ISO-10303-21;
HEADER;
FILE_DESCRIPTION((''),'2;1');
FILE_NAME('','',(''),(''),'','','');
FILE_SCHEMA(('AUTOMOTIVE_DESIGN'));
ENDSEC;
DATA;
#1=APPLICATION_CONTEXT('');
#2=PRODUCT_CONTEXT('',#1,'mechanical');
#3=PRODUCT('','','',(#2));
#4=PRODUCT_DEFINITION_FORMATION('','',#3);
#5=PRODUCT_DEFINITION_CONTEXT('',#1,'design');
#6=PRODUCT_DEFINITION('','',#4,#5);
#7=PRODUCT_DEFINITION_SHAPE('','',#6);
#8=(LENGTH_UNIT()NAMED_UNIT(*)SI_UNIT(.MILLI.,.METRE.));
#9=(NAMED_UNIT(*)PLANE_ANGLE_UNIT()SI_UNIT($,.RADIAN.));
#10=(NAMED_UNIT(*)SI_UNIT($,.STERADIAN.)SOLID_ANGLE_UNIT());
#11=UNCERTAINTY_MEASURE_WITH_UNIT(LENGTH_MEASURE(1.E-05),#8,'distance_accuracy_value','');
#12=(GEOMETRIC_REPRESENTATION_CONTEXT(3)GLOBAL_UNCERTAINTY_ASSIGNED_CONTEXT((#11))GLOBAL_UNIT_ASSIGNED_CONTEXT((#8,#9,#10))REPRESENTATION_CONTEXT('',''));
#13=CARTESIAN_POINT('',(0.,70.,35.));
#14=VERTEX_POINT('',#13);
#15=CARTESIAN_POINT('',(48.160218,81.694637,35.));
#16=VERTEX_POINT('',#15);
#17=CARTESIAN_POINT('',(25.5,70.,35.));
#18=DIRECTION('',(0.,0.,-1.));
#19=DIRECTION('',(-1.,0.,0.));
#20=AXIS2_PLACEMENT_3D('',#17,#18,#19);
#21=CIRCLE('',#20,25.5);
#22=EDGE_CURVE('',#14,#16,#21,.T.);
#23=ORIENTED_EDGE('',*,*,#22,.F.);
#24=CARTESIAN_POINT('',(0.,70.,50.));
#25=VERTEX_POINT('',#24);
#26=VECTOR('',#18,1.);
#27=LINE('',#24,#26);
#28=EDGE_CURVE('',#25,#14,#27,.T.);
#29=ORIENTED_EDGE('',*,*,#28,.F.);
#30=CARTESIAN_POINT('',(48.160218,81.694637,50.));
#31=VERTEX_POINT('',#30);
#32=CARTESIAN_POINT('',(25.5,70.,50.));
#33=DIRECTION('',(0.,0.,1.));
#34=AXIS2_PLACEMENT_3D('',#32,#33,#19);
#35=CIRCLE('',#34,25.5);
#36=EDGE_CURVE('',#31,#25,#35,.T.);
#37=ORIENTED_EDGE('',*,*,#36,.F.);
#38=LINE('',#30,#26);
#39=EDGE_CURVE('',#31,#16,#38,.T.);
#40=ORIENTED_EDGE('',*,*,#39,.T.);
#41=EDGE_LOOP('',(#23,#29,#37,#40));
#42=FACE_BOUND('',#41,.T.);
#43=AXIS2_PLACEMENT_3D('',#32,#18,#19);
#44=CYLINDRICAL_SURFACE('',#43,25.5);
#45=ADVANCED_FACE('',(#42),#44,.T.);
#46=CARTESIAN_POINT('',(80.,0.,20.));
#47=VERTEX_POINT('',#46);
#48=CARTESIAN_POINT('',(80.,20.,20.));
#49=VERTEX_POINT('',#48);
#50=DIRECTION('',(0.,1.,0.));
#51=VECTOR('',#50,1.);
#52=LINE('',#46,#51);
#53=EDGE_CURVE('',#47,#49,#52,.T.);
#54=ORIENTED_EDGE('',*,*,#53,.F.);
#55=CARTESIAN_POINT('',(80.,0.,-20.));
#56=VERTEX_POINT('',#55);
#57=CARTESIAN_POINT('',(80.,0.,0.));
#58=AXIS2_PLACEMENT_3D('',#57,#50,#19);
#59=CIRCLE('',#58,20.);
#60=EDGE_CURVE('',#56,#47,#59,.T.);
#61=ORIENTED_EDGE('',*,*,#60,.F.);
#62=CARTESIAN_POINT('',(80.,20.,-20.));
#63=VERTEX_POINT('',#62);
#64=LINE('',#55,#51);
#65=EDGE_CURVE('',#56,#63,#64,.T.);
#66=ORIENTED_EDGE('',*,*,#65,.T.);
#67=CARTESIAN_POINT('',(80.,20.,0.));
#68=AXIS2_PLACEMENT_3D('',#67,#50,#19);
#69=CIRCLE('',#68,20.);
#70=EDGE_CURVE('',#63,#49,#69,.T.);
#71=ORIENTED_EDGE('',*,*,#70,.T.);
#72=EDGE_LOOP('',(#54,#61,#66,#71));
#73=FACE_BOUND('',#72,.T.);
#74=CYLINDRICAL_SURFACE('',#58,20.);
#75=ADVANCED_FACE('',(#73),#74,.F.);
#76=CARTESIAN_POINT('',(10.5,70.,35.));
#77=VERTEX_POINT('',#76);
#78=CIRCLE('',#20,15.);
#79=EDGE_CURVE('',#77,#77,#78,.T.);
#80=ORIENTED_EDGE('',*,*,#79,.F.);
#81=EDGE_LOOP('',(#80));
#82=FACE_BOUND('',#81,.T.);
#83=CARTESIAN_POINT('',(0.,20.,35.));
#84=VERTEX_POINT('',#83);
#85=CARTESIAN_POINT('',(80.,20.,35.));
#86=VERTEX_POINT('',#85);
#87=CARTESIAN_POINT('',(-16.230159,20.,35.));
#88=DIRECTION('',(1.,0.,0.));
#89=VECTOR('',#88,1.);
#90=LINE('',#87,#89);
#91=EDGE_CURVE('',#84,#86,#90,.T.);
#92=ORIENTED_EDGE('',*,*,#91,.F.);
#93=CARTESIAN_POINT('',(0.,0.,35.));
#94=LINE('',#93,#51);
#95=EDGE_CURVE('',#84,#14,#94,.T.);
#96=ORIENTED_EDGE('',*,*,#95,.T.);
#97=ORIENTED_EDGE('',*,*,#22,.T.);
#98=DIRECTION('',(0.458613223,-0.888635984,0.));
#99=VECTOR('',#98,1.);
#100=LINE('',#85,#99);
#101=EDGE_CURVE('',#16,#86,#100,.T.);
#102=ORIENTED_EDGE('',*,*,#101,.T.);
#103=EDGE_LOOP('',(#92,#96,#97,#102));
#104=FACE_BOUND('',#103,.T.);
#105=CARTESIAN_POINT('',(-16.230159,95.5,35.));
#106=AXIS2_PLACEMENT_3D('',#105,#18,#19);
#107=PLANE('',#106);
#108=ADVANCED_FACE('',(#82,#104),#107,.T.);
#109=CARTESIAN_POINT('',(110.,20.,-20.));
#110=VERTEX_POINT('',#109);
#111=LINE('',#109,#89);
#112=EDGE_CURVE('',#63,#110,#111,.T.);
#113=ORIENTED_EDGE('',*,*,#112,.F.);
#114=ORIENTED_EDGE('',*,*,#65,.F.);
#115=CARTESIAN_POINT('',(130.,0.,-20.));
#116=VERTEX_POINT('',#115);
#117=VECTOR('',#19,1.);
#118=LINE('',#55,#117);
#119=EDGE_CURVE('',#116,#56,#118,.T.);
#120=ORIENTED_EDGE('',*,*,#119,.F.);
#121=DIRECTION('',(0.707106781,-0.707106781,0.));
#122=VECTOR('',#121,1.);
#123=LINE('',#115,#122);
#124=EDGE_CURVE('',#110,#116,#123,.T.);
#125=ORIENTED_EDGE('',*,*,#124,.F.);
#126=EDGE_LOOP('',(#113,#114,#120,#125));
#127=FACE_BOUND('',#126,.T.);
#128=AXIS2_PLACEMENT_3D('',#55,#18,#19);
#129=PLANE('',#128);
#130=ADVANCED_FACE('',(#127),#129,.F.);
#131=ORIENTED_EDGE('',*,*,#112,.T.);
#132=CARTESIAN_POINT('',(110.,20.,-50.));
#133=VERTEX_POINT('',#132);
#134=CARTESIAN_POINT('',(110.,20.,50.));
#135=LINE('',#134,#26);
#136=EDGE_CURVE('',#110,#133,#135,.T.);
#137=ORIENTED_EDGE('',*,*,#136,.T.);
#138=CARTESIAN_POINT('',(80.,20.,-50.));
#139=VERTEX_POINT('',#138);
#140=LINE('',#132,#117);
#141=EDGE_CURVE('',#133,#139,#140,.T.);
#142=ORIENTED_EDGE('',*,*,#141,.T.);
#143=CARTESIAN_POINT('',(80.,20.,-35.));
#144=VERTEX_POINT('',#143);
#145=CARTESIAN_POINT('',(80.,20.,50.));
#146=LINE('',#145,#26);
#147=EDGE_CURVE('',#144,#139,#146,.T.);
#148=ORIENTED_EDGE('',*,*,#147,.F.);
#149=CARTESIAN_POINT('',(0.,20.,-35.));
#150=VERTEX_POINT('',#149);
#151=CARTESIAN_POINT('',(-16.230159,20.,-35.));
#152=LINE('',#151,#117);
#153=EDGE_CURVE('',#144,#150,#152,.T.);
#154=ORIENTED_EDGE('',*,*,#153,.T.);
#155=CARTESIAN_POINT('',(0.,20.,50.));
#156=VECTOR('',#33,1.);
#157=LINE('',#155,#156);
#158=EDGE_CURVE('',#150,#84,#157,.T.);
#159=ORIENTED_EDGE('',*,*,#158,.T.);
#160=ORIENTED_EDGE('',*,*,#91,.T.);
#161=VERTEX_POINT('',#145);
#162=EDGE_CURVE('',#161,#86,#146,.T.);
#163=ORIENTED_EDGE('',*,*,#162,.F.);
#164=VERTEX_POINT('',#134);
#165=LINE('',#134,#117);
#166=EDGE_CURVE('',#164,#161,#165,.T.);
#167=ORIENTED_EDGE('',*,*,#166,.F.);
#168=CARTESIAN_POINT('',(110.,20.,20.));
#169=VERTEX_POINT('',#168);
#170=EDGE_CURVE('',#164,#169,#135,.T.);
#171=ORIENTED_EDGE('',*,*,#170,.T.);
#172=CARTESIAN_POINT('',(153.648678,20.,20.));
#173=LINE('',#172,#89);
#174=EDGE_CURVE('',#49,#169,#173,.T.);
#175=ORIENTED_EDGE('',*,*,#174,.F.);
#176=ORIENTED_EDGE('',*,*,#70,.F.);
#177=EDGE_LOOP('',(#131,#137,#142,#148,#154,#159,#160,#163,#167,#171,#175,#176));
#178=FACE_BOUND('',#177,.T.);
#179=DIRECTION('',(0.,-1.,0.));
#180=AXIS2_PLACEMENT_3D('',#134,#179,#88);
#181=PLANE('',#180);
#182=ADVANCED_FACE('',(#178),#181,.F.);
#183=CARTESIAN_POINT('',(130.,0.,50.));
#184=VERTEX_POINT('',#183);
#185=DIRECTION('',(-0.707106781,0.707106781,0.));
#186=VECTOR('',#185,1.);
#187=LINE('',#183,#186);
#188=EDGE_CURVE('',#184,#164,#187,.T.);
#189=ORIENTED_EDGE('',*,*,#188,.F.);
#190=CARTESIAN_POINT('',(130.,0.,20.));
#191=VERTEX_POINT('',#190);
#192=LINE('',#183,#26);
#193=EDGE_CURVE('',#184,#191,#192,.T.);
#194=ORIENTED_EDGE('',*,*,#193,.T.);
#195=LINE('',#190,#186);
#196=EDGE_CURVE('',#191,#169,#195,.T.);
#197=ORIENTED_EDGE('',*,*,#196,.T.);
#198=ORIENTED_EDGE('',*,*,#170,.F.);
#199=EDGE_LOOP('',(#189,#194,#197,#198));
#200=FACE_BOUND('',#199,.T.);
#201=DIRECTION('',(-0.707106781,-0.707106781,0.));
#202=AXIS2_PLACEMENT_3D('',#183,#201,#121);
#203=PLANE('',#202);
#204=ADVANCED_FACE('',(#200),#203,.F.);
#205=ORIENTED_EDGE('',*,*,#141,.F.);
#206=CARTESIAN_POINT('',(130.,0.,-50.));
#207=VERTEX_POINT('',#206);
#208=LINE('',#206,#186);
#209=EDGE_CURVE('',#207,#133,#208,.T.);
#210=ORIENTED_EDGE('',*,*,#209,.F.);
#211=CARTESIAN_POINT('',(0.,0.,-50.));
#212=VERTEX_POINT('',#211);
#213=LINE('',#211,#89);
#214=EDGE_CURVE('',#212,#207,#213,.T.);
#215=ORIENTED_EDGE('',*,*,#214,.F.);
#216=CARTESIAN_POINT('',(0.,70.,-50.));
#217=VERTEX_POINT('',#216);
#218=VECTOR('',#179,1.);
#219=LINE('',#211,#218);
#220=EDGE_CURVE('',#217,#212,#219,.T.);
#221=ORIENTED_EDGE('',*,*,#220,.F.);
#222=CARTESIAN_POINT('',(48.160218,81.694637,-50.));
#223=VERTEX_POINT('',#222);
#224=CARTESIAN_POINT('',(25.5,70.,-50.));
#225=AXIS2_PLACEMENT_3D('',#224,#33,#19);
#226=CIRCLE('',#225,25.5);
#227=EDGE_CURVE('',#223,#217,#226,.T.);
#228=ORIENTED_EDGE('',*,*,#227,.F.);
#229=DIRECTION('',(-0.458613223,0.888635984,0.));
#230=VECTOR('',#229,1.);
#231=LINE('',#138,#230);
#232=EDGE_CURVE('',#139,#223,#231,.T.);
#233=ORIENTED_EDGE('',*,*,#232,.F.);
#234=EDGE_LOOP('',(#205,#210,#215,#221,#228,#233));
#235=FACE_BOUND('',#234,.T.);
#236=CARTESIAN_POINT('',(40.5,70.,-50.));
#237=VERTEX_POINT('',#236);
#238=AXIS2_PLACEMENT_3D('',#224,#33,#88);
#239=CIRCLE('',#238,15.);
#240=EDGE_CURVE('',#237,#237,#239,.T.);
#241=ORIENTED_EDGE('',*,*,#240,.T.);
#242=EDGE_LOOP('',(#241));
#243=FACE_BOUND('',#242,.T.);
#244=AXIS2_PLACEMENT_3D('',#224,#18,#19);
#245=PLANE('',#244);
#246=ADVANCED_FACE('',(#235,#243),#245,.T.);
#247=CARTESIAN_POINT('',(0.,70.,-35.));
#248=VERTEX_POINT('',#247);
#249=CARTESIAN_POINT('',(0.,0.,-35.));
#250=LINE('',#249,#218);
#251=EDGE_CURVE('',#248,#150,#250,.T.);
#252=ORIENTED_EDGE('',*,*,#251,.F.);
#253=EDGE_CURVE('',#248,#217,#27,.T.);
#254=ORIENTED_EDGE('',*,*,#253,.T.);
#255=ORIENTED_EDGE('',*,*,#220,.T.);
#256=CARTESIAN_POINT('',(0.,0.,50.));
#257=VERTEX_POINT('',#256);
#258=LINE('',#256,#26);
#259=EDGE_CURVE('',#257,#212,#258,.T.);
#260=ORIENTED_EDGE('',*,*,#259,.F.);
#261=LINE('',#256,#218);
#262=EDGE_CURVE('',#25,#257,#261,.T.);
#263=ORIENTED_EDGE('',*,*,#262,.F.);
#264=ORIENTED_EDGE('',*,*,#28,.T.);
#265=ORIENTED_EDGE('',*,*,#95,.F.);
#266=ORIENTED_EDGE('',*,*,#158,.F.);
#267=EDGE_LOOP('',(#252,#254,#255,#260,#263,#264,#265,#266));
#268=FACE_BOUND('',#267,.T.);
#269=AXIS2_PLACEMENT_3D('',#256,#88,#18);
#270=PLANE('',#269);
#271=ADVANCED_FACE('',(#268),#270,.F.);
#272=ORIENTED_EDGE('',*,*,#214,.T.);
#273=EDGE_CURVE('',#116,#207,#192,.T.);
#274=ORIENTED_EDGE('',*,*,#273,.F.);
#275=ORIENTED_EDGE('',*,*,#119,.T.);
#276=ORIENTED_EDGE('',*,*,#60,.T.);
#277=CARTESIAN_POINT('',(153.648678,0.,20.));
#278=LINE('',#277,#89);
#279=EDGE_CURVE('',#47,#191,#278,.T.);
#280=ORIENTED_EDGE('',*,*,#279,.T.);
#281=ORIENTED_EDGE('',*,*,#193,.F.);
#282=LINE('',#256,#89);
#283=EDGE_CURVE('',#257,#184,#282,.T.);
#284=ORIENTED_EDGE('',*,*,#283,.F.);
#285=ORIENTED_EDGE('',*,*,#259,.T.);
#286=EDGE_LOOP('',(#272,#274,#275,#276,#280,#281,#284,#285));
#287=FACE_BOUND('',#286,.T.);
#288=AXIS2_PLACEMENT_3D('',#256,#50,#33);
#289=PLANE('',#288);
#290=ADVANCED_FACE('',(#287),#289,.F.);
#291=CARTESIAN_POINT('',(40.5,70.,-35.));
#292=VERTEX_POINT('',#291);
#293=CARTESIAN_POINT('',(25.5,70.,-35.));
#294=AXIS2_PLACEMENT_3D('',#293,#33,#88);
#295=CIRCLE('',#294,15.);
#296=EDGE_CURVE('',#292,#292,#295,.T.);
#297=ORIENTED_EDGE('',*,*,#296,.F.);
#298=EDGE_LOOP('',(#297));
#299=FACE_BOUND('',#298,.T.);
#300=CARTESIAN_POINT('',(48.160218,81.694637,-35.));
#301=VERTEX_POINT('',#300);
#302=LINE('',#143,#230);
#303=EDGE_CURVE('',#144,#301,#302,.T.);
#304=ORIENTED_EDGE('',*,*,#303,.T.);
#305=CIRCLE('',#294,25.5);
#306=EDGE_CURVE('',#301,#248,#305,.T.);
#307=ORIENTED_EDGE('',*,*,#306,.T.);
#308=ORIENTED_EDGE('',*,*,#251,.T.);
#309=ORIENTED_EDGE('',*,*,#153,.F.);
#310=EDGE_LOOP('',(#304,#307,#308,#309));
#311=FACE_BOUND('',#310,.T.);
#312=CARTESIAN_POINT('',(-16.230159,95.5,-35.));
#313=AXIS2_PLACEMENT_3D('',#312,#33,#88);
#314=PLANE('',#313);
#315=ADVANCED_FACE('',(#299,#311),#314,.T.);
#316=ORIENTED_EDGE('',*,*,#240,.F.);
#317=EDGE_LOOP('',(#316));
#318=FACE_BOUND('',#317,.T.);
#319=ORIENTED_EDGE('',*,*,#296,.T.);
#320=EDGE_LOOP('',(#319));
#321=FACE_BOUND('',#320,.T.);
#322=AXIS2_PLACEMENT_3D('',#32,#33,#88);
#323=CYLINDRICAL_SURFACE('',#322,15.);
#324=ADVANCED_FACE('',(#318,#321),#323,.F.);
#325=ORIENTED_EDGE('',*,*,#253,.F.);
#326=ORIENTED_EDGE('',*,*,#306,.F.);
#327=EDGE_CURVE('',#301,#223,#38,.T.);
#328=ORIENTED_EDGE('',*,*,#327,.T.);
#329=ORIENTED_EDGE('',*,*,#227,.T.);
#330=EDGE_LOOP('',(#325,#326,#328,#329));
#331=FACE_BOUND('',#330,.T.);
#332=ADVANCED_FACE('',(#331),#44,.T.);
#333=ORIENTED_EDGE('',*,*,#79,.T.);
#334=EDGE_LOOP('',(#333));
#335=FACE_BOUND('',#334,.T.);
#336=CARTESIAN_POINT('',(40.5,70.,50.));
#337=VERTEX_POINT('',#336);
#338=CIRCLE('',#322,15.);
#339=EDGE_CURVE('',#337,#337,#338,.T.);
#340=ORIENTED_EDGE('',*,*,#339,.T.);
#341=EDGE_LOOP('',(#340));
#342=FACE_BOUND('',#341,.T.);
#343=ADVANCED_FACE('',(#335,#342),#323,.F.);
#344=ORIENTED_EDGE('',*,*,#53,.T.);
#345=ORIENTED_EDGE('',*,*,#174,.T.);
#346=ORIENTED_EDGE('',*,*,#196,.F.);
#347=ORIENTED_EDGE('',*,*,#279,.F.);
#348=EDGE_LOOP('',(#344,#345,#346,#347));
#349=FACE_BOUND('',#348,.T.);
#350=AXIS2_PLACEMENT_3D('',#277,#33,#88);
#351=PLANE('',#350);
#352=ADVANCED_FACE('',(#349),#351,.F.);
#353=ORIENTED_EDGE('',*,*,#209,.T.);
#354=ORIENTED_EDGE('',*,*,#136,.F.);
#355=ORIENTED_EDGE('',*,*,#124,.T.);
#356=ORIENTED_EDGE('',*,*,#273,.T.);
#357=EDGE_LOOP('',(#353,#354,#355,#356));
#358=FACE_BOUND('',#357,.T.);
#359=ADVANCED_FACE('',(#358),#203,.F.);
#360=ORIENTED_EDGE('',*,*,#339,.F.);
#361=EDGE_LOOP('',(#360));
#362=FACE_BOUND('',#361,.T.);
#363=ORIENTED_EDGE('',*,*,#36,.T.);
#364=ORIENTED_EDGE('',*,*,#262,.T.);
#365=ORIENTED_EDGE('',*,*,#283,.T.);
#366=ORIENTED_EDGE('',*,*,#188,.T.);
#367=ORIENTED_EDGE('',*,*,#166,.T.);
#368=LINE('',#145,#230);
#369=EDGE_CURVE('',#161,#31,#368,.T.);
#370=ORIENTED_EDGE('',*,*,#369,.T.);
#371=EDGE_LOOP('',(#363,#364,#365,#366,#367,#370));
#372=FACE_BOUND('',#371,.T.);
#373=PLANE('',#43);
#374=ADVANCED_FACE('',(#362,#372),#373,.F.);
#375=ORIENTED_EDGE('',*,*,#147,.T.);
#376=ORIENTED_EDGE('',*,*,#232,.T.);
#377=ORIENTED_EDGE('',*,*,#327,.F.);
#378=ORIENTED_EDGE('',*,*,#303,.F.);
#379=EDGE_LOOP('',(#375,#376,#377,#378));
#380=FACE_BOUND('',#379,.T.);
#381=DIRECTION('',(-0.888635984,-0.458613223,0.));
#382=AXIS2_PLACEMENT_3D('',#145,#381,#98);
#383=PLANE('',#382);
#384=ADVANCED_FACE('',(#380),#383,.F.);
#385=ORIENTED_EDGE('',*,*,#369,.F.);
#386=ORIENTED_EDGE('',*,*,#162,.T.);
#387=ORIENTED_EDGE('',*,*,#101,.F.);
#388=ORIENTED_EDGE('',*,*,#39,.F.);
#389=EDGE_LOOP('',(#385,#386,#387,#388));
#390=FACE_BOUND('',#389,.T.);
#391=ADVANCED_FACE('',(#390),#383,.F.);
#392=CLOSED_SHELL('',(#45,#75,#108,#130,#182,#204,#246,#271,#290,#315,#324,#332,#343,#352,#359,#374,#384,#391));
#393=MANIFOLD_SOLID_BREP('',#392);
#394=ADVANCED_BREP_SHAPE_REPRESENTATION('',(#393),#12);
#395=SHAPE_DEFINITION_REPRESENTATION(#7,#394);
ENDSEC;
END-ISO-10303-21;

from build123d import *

# Parameters (mm, degrees)
BOSS_EXTRUDE1_DEPTH    = 50
SKETCH2_W              = 171.937170065
SKETCH2_H              = 70
CUT_EXTRUDE1_DEPTH     = 159.430584169
CUT_EXTRUDE2_DEPTH     = 159.430584169
F_20_0MM_DOWEL_HOLE1_D = 30


with BuildPart() as part:
    # Sketch1 → Boss-Extrude1 (new, symmetric)
    with BuildSketch(Plane.XY):
        with BuildLine():
            Line((0, 0), (130, 0))
            Line((130, 0), (110, 20))
            Line((110, 20), (80, 20))
            Line((80, 20), (48.160217592, 81.694637176))
            ThreePointArc((48.160217592, 81.694637176), (19.482755972, 94.779886487), (0, 70))
            Line((0, 70), (0, 0))
        make_face()
    extrude(amount=BOSS_EXTRUDE1_DEPTH, both=True)

    # Sketch2 → Cut-Extrude1 (cut, through all)
    with BuildSketch(Plane(origin=(0, 20, 0), x_dir=(1, 0, 0), z_dir=(0, 1, 0))):
        with Locations((69.738425947, 0)):
            Rectangle(SKETCH2_W, SKETCH2_H)
    extrude(amount=CUT_EXTRUDE1_DEPTH, mode=Mode.SUBTRACT)

    # Sketch3 → Cut-Extrude2 (cut, through all)
    with BuildSketch(Plane(origin=(0, 20, 0), x_dir=(1, 0, 0), z_dir=(0, 1, 0))):
        with BuildLine():
            Line((80, 20), (153.648677571, 20))
            Line((153.648677571, 20), (153.648677571, -20))
            Line((153.648677571, -20), (80, -20))
            ThreePointArc((80, -20), (60, 0), (80, 20))
        make_face()
    extrude(amount=-CUT_EXTRUDE2_DEPTH, mode=Mode.SUBTRACT)

    # Ø20.0mm Dowel Hole1 (through all)
    with Locations(Plane.XY.offset(50)):
        with Locations((25.5, 70)):
            Hole(F_20_0MM_DOWEL_HOLE1_D / 2)


solid = part.part
